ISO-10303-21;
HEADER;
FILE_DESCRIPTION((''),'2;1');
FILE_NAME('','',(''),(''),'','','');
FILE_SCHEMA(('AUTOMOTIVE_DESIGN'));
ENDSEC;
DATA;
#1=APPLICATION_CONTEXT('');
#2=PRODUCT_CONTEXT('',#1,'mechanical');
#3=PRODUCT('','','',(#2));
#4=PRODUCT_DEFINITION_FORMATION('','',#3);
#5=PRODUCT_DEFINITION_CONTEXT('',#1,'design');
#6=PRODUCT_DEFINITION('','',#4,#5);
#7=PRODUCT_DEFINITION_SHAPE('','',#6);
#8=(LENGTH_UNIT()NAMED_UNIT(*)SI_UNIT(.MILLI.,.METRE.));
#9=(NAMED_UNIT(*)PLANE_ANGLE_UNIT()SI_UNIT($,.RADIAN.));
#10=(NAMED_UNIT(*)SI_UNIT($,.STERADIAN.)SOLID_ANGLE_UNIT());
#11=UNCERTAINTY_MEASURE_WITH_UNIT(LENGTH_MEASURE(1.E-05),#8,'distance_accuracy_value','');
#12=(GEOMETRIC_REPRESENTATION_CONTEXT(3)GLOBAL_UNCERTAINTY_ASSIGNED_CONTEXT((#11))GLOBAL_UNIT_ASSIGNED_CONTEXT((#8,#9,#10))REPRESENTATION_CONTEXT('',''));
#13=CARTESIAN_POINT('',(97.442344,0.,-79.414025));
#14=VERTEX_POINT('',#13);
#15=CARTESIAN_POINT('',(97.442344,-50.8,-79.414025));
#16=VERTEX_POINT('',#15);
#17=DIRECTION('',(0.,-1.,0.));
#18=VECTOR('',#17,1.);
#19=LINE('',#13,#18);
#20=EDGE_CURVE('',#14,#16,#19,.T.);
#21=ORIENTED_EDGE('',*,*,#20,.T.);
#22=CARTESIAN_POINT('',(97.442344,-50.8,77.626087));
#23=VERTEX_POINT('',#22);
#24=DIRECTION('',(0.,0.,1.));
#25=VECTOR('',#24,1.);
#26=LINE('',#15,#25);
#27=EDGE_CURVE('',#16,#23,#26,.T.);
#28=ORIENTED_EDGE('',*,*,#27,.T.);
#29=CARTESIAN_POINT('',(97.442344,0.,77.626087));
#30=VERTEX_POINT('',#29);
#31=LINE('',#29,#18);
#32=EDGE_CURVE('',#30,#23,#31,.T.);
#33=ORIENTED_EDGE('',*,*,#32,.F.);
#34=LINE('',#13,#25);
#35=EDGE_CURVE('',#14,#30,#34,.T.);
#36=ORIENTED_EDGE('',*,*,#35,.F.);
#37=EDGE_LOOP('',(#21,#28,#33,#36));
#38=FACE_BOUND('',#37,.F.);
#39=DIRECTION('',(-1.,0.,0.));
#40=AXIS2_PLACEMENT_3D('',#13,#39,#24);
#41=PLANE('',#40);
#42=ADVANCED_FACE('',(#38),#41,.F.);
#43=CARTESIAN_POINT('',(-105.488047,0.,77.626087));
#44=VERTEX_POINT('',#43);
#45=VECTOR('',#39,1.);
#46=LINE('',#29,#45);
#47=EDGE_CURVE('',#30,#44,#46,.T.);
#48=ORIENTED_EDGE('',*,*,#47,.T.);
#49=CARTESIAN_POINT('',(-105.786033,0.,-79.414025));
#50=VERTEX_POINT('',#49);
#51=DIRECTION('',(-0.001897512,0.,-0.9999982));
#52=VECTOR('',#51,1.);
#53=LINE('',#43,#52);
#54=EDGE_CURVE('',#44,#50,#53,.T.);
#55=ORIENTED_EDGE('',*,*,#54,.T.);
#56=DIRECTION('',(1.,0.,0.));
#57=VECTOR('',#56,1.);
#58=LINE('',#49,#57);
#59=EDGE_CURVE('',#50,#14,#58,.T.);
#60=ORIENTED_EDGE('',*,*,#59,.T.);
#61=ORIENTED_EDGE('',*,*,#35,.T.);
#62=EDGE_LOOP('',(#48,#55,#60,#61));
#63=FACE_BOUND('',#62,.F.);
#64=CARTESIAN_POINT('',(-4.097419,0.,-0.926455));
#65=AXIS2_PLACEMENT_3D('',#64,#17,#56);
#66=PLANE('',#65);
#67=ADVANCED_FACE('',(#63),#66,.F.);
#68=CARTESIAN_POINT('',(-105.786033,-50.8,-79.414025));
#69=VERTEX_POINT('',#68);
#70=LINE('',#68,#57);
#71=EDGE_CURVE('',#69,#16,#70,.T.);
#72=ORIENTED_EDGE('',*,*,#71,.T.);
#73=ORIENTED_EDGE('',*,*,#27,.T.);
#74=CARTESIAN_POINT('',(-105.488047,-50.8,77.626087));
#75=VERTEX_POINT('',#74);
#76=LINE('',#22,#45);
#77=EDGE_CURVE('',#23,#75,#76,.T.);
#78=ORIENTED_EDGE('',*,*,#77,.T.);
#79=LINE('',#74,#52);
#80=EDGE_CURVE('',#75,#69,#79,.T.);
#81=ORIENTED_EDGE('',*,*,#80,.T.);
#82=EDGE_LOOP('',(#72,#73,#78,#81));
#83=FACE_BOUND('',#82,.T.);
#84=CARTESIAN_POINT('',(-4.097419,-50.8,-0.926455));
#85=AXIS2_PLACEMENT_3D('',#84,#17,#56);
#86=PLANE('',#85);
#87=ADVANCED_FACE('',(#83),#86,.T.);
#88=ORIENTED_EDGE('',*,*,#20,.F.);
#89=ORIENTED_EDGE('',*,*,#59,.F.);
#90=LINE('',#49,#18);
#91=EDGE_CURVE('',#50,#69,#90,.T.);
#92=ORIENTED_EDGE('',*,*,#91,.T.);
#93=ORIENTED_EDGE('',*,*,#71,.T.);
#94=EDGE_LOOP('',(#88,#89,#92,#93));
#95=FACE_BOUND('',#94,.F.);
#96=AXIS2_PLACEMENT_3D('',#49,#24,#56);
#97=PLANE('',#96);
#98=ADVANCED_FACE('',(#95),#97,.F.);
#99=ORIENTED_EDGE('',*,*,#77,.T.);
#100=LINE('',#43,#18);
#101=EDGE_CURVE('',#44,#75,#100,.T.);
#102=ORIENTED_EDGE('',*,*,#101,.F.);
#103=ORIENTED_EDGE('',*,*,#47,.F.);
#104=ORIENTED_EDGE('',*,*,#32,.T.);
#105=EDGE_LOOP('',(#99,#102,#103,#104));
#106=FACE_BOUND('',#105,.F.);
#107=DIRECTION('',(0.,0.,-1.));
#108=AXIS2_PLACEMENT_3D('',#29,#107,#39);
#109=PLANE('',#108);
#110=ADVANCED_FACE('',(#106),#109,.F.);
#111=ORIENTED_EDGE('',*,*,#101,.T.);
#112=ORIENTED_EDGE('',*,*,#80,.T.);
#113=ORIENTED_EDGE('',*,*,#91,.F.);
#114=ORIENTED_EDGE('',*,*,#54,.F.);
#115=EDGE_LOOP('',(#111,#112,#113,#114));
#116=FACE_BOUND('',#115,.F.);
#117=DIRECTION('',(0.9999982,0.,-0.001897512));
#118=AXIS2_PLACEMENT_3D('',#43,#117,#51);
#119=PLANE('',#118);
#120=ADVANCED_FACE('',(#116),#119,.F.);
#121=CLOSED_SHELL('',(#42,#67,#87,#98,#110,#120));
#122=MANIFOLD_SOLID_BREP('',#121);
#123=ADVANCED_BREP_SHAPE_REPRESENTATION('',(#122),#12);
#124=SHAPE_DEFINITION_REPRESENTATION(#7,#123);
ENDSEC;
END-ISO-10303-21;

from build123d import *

# Parameters (mm, degrees)
F0_R     = 68.702586
F0_R_2   = 21.096854
F1_DEPTH = 25.4
F2_T     = -2.54
F4_DEPTH = 50.8


with BuildPart() as f1:
    # F0 (on Front) → F1 (new body)
    with BuildSketch(Plane.XZ):
        with BuildLine():
            ThreePointArc((-23.880008, 8.70958), (-22.055409, 12.63608), (-19.590884, 16.195952))
            Line((-19.590884, 16.195952), (-41.709106, 35.680373))
            ThreePointArc((-41.709106, 35.680373), (-44.343235, 32.348354), (-46.711827, 28.822625))
            Line((-46.711827, 28.822625), (-23.880008, 8.70958))
        make_face()
        with BuildLine():
            Line((-48.504215, -25.692015), (-22.386012, -12.040683))
            ThreePointArc((-22.386012, -12.040683), (-23.932365, -8.564666), (-24.942596, -4.896786))
            Line((-24.942596, -4.896786), (-51.564276, -18.811273))
            ThreePointArc((-51.564276, -18.811273), (-50.152387, -22.304184), (-48.504215, -25.692015))
        make_face()
        Circle(F0_R)
        with BuildLine():
            ThreePointArc((38.51008, 39.111536), (41.503011, 35.919891), (44.232214, 32.499996))
            ThreePointArc((44.232214, 32.499996), (52.156375, 17.101202), (54.888419, 0))
            ThreePointArc((54.888419, 0), (54.022744, -9.709872), (51.453027, -19.113464))
            ThreePointArc((51.453027, -19.113464), (49.930493, -22.796588), (48.144719, -26.359524))
            ThreePointArc((48.144719, -26.359524), (30.529877, -45.614309), (6.013757, -54.557981))
            ThreePointArc((6.013757, -54.557981), (0.931629, -54.880512), (-4.158517, -54.730661))
            ThreePointArc((-4.158517, -54.730661), (-30.069113, -45.919353), (-48.504215, -25.692015))
            ThreePointArc((-48.504215, -25.692015), (-50.152387, -22.304184), (-51.564276, -18.811273))
            ThreePointArc((-51.564276, -18.811273), (-54.605816, 5.562676), (-46.711827, 28.822625))
            ThreePointArc((-46.711827, 28.822625), (-44.343235, 32.348354), (-41.709106, 35.680373))
            ThreePointArc((-41.709106, 35.680373), (-25.105411, 48.810417), (-4.767821, 54.680951))
            ThreePointArc((-4.767821, 54.680951), (0.31004, 54.887543), (5.385244, 54.6236))
            ThreePointArc((5.385244, 54.6236), (23.277799, 49.707973), (38.51008, 39.111536))
        make_face(mode=Mode.SUBTRACT)
        with BuildLine():
            Line((6.013757, -54.557981), (6.013757, -24.697091))
            ThreePointArc((6.013757, -24.697091), (0.946794, -25.401086), (-4.158517, -25.07625))
            Line((-4.158517, -25.07625), (-4.158517, -54.730661))
            ThreePointArc((-4.158517, -54.730661), (0.931629, -54.880512), (6.013757, -54.557981))
        make_face()
        with BuildLine():
            Line((51.453027, -19.113464), (24.530789, -6.659727))
            ThreePointArc((24.530789, -6.659727), (23.184223, -10.421295), (21.264875, -13.925397))
            Line((21.264875, -13.925397), (48.144719, -26.359524))
            ThreePointArc((48.144719, -26.359524), (49.930493, -22.796588), (51.453027, -19.113464))
        make_face()
        with BuildLine():
            ThreePointArc((17.583705, 18.355514), (20.501997, 15.025967), (22.798282, 11.240549))
            Line((22.798282, 11.240549), (44.232214, 32.499996))
            ThreePointArc((44.232214, 32.499996), (41.503011, 35.919891), (38.51008, 39.111536))
            Line((38.51008, 39.111536), (17.583705, 18.355514))
        make_face()
        with BuildLine():
            ThreePointArc((-4.767821, 24.967568), (0.31506, 25.416772), (5.385244, 24.841714))
            Line((5.385244, 24.841714), (5.385244, 54.6236))
            ThreePointArc((5.385244, 54.6236), (0.31004, 54.887543), (-4.767821, 54.680951))
            Line((-4.767821, 54.680951), (-4.767821, 24.967568))
        make_face()
        with BuildLine():
            ThreePointArc((24.530789, -6.659727), (25.195763, -3.35933), (25.418725, 0))
            ThreePointArc((25.418725, 0), (24.754947, 5.770976), (22.798282, 11.240549))
            ThreePointArc((22.798282, 11.240549), (20.501997, 15.025967), (17.583705, 18.355514))
            ThreePointArc((17.583705, 18.355514), (11.933602, 22.443278), (5.385244, 24.841714))
            ThreePointArc((5.385244, 24.841714), (0.31506, 25.416772), (-4.767821, 24.967568))
            ThreePointArc((-4.767821, 24.967568), (-12.944958, 21.875549), (-19.590884, 16.195952))
            ThreePointArc((-19.590884, 16.195952), (-22.055409, 12.63608), (-23.880008, 8.70958))
            ThreePointArc((-23.880008, 8.70958), (-25.341566, 1.979046), (-24.942596, -4.896786))
            ThreePointArc((-24.942596, -4.896786), (-23.932365, -8.564666), (-22.386012, -12.040683))
            ThreePointArc((-22.386012, -12.040683), (-14.786294, -20.675519), (-4.158517, -25.07625))
            ThreePointArc((-4.158517, -25.07625), (0.946794, -25.401086), (6.013757, -24.697091))
            ThreePointArc((6.013757, -24.697091), (14.664183, -20.762305), (21.264875, -13.925397))
            ThreePointArc((21.264875, -13.925397), (23.184223, -10.421295), (24.530789, -6.659727))
        make_face()
        Circle(F0_R_2, mode=Mode.SUBTRACT)
    extrude(amount=F1_DEPTH)

    # F2
    f2_openings = [f1.faces().sort_by_distance(p)[0] for p in [
        (-68.702586, -12.7, 0),
    ]]
    offset(amount=F2_T, openings=f2_openings)

    # F3 (on Front) → F4 (join)
    with BuildSketch(Plane.XZ):
        Polygon((97.442344, 77.626087), (-105.488047, 77.626087), (-105.786033, -79.414025), (97.442344, -79.414025), align=None)
    extrude(amount=F4_DEPTH)


solid = f1.part
